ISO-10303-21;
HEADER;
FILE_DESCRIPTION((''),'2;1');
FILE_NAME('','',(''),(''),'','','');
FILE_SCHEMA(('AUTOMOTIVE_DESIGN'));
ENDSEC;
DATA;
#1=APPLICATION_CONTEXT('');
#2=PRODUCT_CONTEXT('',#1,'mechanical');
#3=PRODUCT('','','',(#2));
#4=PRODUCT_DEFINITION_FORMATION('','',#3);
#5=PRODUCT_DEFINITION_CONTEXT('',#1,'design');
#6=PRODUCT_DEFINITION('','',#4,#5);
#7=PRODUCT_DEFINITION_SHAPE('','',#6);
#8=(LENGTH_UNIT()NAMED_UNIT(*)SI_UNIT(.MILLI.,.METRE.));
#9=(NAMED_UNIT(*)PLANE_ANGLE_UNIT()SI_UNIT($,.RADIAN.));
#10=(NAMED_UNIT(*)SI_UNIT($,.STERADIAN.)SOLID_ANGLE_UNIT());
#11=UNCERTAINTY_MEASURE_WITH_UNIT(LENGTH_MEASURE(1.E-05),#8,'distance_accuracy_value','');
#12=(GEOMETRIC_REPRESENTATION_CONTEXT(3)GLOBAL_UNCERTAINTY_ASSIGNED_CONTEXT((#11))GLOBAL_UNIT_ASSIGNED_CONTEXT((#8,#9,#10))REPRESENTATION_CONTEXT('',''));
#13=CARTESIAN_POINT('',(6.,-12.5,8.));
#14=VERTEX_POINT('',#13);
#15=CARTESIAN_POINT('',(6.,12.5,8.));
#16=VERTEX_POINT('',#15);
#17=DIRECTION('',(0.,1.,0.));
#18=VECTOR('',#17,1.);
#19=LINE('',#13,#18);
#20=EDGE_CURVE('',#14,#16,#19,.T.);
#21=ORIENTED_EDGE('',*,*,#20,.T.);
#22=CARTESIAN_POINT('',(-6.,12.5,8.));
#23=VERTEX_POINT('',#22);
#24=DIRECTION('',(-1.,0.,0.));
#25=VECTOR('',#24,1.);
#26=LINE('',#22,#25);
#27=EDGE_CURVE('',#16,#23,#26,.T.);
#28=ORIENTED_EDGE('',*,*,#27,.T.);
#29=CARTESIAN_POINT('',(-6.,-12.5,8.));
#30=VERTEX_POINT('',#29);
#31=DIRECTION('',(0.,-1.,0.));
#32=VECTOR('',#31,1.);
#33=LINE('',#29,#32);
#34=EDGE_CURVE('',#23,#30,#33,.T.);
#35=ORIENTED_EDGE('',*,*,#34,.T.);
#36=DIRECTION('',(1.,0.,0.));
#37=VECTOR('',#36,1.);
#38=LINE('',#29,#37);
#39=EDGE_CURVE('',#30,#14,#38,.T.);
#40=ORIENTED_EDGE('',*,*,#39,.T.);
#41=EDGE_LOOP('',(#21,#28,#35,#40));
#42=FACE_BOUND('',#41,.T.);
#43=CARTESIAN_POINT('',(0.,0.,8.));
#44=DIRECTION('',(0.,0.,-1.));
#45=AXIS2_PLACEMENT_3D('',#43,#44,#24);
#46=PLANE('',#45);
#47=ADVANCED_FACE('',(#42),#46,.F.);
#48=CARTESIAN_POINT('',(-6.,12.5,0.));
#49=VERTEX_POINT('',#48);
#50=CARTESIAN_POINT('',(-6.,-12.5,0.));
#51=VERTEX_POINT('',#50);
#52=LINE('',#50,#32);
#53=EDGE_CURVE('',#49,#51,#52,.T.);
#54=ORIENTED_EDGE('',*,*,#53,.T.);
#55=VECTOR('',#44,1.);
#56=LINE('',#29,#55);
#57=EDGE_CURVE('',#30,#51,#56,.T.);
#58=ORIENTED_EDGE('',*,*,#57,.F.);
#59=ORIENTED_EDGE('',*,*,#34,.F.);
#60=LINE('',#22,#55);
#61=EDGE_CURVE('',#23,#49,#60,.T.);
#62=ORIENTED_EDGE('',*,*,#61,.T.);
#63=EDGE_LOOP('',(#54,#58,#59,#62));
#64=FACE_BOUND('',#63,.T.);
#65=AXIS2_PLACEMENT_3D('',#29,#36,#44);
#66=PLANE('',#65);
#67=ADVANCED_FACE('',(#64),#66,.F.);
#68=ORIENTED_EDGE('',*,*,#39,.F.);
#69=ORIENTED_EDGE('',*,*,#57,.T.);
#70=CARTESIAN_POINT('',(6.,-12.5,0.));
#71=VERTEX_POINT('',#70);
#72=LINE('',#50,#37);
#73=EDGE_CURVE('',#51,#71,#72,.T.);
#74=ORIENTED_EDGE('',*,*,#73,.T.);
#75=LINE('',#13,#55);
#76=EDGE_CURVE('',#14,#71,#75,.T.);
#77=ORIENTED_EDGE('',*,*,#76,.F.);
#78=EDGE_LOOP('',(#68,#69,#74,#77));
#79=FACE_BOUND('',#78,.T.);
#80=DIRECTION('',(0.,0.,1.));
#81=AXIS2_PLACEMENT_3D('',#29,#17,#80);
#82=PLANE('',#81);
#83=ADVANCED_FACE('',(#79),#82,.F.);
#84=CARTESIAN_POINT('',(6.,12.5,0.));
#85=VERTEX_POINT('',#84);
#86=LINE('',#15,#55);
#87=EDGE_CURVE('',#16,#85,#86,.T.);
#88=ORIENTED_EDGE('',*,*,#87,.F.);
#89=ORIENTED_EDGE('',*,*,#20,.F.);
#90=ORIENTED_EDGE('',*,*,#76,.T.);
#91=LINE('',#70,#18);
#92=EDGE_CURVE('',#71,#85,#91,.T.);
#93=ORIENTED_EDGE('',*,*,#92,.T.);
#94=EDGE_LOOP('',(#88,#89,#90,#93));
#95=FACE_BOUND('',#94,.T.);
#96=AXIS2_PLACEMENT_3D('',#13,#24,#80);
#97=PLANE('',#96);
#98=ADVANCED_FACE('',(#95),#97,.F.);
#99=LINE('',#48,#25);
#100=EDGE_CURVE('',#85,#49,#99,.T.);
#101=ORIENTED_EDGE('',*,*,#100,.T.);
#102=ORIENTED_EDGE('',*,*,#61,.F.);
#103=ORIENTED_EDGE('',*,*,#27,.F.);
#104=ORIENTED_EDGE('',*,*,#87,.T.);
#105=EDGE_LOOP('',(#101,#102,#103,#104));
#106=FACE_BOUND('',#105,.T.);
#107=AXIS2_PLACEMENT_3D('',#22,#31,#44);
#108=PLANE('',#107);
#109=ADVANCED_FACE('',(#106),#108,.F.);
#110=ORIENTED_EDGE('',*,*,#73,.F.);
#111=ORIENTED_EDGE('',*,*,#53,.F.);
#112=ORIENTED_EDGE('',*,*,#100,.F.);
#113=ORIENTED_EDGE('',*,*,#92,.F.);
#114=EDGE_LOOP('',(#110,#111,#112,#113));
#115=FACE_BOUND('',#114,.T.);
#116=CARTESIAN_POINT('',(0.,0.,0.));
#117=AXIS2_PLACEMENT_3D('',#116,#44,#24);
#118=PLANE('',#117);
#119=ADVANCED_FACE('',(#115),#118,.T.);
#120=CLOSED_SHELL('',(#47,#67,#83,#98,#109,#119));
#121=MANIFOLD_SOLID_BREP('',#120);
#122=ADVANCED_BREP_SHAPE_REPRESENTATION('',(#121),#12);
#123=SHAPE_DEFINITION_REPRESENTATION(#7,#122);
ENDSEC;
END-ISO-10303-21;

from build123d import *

# Parameters (mm, degrees)
SKETCH1_W      = 12
SKETCH1_H      = 25
ENVELOPE_DEPTH = 8


with BuildPart() as part:
    # Sketch1 → Envelope (new body)
    with BuildSketch(Plane.XY):
        Rectangle(SKETCH1_W, SKETCH1_H)
    extrude(amount=ENVELOPE_DEPTH)


solid = part.part
